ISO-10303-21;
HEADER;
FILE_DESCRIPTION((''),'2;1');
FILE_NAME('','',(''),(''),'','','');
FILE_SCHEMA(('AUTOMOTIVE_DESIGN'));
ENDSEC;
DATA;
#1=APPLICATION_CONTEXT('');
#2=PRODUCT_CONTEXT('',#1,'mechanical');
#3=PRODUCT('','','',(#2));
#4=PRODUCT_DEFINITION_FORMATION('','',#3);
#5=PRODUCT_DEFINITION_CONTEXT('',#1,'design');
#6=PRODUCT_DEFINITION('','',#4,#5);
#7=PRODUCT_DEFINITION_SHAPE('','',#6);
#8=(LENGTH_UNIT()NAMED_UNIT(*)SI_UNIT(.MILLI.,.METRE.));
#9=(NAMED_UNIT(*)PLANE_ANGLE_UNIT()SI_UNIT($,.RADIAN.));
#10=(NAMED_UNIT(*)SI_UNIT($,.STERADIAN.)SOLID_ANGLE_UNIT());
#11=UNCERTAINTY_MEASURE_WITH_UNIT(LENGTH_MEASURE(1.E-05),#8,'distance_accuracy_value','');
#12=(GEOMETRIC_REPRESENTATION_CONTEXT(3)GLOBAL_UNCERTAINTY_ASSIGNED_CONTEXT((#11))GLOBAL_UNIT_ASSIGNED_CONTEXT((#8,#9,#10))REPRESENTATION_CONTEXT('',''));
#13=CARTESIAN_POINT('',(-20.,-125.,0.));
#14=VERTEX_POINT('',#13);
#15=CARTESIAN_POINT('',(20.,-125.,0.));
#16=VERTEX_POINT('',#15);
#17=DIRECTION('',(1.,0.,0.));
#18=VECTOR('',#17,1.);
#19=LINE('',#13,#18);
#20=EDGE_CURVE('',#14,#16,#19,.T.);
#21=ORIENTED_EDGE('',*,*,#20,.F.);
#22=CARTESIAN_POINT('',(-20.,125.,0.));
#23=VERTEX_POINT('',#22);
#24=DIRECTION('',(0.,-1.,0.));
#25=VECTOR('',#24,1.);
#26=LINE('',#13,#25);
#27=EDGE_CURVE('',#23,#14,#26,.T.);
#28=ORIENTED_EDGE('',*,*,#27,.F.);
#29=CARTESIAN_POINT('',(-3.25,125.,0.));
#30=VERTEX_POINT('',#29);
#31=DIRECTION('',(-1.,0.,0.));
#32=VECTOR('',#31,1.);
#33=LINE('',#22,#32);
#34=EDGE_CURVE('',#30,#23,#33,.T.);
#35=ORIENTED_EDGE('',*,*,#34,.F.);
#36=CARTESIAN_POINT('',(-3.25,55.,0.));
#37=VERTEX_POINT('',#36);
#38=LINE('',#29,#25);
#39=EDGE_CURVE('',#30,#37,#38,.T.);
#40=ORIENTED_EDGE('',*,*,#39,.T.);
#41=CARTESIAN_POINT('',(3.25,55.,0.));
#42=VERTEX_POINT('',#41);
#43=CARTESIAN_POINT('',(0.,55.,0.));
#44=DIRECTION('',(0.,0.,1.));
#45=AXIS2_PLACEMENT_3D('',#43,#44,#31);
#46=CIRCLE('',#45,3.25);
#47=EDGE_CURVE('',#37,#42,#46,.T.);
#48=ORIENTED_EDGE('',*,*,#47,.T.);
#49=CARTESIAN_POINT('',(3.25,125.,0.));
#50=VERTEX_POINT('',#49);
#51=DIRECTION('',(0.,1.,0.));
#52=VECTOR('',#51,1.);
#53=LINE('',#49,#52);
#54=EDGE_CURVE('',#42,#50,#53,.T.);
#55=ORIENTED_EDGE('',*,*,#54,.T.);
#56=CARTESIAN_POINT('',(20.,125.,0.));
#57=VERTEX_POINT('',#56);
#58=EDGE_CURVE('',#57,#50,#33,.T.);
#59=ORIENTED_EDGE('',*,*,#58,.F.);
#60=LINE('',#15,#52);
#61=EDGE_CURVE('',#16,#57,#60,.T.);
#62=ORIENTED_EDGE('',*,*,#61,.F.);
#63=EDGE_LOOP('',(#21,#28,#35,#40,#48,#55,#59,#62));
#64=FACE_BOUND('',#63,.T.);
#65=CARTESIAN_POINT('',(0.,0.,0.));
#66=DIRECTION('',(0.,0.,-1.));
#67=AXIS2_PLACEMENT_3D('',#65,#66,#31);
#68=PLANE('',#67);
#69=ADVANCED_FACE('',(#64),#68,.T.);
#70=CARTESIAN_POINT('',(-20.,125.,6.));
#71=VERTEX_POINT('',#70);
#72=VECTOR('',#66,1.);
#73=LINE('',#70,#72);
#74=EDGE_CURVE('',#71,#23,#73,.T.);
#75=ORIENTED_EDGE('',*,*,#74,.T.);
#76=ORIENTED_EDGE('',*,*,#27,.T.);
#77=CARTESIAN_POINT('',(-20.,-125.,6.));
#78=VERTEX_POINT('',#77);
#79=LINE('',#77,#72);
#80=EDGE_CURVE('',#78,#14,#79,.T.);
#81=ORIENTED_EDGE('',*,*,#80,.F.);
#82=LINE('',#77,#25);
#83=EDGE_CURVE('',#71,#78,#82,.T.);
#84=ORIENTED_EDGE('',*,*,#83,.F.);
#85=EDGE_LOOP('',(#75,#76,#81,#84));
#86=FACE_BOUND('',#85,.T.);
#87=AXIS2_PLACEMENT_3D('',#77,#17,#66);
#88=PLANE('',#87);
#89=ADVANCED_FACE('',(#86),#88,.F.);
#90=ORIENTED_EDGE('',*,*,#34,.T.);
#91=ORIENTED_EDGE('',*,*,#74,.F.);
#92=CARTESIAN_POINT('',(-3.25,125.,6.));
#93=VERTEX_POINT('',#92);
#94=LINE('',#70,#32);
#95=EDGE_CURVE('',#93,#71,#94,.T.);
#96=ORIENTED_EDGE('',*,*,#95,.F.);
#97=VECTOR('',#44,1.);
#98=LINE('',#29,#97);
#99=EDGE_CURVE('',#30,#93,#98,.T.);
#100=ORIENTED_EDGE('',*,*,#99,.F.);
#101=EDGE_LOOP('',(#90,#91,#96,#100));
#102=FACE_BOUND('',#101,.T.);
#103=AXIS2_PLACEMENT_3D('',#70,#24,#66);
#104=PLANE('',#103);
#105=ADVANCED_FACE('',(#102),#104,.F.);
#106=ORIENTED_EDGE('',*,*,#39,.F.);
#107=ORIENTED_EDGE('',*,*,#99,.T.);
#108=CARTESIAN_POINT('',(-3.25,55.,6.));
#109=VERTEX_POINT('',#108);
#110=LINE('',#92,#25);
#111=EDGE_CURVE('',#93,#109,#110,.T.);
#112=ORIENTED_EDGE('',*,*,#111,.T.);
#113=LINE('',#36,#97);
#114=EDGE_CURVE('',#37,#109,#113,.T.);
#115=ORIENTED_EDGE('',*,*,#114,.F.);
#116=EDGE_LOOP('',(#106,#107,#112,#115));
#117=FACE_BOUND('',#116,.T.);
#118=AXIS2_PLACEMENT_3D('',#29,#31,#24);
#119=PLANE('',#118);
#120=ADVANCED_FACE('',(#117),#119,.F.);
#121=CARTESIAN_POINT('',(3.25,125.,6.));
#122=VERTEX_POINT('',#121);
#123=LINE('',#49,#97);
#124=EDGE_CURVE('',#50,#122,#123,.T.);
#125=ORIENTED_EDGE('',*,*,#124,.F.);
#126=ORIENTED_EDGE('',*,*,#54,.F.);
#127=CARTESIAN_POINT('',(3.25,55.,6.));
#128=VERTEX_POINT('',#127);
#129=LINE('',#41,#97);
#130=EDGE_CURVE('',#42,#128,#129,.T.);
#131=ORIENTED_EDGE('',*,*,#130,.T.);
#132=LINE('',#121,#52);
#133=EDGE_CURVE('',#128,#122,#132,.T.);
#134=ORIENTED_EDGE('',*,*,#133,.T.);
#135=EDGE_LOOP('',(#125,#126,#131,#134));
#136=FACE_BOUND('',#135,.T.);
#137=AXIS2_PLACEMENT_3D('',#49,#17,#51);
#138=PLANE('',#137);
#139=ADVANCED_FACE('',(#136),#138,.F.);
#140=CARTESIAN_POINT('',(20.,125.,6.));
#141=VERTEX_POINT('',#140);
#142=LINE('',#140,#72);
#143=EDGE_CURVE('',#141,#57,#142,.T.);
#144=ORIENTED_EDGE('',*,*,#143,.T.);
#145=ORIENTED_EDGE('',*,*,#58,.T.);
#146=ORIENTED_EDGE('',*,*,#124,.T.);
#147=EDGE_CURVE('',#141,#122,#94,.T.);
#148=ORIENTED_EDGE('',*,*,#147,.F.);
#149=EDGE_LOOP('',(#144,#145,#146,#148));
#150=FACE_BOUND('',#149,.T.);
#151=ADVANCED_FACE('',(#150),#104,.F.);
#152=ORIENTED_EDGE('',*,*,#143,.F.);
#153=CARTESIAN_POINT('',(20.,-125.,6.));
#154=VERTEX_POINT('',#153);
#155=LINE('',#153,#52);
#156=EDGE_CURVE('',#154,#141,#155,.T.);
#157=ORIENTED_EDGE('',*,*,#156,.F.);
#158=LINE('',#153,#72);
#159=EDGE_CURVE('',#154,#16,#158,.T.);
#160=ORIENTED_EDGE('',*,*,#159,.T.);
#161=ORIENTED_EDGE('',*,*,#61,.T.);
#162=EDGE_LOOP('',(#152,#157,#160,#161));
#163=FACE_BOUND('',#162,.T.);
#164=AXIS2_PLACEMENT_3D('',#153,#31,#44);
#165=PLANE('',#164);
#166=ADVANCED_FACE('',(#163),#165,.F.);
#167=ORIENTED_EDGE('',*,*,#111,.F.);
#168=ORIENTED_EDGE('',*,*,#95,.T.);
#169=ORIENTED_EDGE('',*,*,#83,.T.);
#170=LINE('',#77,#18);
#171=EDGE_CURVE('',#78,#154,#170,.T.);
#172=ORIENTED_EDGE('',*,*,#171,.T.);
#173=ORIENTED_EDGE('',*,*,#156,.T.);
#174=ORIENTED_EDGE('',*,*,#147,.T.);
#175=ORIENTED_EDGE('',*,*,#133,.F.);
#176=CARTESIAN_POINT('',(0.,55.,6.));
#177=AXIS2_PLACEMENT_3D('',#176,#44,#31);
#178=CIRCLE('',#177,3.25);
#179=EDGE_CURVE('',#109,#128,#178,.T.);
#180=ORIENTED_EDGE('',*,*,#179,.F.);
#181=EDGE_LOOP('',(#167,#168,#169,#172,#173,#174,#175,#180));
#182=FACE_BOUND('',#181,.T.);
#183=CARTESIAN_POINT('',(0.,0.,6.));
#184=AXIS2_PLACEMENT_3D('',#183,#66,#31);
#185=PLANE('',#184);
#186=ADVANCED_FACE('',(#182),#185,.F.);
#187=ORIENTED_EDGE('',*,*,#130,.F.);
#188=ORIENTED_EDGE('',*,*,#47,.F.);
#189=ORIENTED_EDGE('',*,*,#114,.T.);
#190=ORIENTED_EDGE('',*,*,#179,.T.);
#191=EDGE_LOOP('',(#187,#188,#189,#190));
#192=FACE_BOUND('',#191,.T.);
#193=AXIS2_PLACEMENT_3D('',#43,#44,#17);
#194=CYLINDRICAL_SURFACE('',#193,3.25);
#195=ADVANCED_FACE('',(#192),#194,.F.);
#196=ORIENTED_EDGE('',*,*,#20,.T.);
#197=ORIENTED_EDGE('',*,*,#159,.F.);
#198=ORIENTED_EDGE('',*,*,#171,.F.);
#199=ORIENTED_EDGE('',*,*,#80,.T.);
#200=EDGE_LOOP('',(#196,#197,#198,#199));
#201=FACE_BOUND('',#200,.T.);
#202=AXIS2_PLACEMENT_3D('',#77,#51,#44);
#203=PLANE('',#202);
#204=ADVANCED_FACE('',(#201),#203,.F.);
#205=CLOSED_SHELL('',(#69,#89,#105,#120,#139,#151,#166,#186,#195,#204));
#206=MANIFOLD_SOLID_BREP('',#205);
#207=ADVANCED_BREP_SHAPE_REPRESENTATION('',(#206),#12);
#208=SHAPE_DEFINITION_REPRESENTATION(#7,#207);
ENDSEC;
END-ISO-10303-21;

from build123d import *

# Parameters (mm, degrees)
SKETCH1_W           = 40
SKETCH1_H           = 250
BOSS_EXTRUDE1_DEPTH = 6
CUT_EXTRUDE1_DEPTH  = 6


with BuildPart() as part:
    # Sketch1 → Boss-Extrude1 (new body)
    with BuildSketch(Plane.XY):
        Rectangle(SKETCH1_W, SKETCH1_H)
    extrude(amount=BOSS_EXTRUDE1_DEPTH)

    # Sketch2 → Cut-Extrude1 (cut)
    with BuildSketch(Plane.XY.offset(6)):
        with BuildLine():
            Line((-3.25, 125), (3.25, 125))
            Line((3.25, 125), (3.25, 55))
            ThreePointArc((3.25, 55), (0, 51.75), (-3.25, 55))
            Line((-3.25, 55), (-3.25, 125))
        make_face()
    extrude(amount=-CUT_EXTRUDE1_DEPTH, mode=Mode.SUBTRACT)


solid = part.part
